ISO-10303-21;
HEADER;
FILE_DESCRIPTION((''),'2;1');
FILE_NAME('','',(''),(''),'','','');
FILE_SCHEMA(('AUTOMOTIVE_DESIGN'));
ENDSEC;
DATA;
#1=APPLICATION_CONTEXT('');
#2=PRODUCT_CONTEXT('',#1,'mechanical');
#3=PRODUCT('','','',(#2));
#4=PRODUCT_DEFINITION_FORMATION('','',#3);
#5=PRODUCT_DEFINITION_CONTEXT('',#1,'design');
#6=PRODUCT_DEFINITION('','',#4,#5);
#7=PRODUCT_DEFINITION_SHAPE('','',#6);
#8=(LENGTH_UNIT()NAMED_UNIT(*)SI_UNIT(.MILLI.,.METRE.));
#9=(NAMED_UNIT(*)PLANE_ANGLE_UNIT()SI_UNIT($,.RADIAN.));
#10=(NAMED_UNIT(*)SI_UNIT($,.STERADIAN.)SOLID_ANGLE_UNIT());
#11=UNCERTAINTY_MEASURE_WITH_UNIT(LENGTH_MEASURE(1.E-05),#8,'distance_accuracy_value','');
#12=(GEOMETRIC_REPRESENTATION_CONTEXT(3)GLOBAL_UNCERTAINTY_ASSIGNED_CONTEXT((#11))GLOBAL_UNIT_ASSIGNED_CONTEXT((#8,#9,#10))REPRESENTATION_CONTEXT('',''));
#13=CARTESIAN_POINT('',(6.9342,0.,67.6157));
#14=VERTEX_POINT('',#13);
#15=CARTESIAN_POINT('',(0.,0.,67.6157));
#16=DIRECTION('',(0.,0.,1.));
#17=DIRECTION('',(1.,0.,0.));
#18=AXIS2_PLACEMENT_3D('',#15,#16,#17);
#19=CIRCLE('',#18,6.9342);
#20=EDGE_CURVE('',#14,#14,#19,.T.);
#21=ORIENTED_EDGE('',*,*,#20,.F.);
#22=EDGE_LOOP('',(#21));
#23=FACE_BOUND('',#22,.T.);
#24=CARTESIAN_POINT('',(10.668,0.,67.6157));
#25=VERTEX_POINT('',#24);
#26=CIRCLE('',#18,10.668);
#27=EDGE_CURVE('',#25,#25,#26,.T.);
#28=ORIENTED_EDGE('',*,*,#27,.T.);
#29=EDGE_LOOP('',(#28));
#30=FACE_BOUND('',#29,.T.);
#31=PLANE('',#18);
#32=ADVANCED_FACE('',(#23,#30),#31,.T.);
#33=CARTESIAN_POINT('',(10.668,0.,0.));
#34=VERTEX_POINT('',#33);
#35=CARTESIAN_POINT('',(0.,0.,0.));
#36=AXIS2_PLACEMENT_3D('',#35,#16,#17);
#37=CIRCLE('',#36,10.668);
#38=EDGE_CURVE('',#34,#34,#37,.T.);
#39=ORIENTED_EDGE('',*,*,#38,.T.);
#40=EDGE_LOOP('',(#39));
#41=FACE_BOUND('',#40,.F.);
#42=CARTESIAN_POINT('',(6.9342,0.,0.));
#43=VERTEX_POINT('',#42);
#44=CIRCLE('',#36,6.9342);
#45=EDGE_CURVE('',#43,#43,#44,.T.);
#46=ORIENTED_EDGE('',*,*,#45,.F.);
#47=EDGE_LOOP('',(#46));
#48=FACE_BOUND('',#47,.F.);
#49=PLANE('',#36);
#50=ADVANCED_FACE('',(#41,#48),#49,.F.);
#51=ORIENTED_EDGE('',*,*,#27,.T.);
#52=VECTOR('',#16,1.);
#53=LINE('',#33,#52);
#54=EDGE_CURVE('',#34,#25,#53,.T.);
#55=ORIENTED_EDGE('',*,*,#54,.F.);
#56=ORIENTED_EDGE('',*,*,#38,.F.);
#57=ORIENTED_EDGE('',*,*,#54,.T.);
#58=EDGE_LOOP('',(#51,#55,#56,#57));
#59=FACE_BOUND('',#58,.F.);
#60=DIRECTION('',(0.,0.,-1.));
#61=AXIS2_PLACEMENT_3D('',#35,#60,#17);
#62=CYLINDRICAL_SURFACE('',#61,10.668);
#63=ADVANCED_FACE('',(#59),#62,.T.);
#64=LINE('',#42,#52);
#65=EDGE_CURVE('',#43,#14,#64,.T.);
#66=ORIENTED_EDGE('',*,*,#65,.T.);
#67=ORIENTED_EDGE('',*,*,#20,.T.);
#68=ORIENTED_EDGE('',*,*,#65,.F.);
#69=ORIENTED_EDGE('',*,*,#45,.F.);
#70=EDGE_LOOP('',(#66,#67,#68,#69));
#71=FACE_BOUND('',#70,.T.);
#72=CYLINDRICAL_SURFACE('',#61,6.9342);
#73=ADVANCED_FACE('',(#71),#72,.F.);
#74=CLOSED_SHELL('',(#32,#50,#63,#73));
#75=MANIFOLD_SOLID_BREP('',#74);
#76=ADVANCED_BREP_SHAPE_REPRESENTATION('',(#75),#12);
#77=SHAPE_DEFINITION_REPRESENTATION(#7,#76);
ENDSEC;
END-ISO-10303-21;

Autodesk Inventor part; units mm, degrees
ref_plane "YZ Plane" through (0, 0, 0) normal (1, 0, 0) x (0, 1, 0)
ref_plane "Start Plane" through (0, 0, 0) normal (0, 0, 1) x (1, 0, 0)
ref_plane "End Plane" through (0, 0, 67.6157) normal (0, 0, 1) x (1, 0, 0)
sketch "Sketch" plane through (0, 0, 0) normal (0, 0, 1) x (1, 0, 0)
  circle A0 centre (0, 0) radius 6.9342
  circle A1 centre (0, 0) radius 10.668
  dimension "d0" = 21.336
  dimension "d1" = 3.7338
extrude "Body" add sketch "Sketch" along normal up to surface (67.6157 mm away) from surface at 0
sketch "Sketch3" plane through (0, 0, 0) normal (0, 0, 1) x (1, 0, 0)
  line L0 (0, 0) -> (10, 0)
ref_plane "Work Plane3" through (0, 0, 0) normal (0, -1, 0) x (1, 0, 0)
sketch "Sketch4" plane through (0, 0, 0) normal (0, -1, 0) x (1, 0, 0)
  line L0 (-2, 0) -> (12, 0)
  line L1 (-2, 67.6157) -> (12, 67.6157)
  dimension "d7" = 67.6157
equation "\"d0\" = G_H"
equation "\"d1\" = G_T"
equation "\"d2\" = G_L"
equation "\"G_H\" = 21.336"
equation "\"G_T\" = 3.7338"
equation "\"G_L\" = d7"
equation "\"G_OFFSET_START\" = 0"
equation "\"G_OFFSET_END\" = 0"
equation "\"d5\" = G_OFFSET_END + B_L"
equation "\"B_L\" = 67.6157"
properties part number "ANSI - 1/2 x 0.147 - 2.662" material "Steel, Mild"
